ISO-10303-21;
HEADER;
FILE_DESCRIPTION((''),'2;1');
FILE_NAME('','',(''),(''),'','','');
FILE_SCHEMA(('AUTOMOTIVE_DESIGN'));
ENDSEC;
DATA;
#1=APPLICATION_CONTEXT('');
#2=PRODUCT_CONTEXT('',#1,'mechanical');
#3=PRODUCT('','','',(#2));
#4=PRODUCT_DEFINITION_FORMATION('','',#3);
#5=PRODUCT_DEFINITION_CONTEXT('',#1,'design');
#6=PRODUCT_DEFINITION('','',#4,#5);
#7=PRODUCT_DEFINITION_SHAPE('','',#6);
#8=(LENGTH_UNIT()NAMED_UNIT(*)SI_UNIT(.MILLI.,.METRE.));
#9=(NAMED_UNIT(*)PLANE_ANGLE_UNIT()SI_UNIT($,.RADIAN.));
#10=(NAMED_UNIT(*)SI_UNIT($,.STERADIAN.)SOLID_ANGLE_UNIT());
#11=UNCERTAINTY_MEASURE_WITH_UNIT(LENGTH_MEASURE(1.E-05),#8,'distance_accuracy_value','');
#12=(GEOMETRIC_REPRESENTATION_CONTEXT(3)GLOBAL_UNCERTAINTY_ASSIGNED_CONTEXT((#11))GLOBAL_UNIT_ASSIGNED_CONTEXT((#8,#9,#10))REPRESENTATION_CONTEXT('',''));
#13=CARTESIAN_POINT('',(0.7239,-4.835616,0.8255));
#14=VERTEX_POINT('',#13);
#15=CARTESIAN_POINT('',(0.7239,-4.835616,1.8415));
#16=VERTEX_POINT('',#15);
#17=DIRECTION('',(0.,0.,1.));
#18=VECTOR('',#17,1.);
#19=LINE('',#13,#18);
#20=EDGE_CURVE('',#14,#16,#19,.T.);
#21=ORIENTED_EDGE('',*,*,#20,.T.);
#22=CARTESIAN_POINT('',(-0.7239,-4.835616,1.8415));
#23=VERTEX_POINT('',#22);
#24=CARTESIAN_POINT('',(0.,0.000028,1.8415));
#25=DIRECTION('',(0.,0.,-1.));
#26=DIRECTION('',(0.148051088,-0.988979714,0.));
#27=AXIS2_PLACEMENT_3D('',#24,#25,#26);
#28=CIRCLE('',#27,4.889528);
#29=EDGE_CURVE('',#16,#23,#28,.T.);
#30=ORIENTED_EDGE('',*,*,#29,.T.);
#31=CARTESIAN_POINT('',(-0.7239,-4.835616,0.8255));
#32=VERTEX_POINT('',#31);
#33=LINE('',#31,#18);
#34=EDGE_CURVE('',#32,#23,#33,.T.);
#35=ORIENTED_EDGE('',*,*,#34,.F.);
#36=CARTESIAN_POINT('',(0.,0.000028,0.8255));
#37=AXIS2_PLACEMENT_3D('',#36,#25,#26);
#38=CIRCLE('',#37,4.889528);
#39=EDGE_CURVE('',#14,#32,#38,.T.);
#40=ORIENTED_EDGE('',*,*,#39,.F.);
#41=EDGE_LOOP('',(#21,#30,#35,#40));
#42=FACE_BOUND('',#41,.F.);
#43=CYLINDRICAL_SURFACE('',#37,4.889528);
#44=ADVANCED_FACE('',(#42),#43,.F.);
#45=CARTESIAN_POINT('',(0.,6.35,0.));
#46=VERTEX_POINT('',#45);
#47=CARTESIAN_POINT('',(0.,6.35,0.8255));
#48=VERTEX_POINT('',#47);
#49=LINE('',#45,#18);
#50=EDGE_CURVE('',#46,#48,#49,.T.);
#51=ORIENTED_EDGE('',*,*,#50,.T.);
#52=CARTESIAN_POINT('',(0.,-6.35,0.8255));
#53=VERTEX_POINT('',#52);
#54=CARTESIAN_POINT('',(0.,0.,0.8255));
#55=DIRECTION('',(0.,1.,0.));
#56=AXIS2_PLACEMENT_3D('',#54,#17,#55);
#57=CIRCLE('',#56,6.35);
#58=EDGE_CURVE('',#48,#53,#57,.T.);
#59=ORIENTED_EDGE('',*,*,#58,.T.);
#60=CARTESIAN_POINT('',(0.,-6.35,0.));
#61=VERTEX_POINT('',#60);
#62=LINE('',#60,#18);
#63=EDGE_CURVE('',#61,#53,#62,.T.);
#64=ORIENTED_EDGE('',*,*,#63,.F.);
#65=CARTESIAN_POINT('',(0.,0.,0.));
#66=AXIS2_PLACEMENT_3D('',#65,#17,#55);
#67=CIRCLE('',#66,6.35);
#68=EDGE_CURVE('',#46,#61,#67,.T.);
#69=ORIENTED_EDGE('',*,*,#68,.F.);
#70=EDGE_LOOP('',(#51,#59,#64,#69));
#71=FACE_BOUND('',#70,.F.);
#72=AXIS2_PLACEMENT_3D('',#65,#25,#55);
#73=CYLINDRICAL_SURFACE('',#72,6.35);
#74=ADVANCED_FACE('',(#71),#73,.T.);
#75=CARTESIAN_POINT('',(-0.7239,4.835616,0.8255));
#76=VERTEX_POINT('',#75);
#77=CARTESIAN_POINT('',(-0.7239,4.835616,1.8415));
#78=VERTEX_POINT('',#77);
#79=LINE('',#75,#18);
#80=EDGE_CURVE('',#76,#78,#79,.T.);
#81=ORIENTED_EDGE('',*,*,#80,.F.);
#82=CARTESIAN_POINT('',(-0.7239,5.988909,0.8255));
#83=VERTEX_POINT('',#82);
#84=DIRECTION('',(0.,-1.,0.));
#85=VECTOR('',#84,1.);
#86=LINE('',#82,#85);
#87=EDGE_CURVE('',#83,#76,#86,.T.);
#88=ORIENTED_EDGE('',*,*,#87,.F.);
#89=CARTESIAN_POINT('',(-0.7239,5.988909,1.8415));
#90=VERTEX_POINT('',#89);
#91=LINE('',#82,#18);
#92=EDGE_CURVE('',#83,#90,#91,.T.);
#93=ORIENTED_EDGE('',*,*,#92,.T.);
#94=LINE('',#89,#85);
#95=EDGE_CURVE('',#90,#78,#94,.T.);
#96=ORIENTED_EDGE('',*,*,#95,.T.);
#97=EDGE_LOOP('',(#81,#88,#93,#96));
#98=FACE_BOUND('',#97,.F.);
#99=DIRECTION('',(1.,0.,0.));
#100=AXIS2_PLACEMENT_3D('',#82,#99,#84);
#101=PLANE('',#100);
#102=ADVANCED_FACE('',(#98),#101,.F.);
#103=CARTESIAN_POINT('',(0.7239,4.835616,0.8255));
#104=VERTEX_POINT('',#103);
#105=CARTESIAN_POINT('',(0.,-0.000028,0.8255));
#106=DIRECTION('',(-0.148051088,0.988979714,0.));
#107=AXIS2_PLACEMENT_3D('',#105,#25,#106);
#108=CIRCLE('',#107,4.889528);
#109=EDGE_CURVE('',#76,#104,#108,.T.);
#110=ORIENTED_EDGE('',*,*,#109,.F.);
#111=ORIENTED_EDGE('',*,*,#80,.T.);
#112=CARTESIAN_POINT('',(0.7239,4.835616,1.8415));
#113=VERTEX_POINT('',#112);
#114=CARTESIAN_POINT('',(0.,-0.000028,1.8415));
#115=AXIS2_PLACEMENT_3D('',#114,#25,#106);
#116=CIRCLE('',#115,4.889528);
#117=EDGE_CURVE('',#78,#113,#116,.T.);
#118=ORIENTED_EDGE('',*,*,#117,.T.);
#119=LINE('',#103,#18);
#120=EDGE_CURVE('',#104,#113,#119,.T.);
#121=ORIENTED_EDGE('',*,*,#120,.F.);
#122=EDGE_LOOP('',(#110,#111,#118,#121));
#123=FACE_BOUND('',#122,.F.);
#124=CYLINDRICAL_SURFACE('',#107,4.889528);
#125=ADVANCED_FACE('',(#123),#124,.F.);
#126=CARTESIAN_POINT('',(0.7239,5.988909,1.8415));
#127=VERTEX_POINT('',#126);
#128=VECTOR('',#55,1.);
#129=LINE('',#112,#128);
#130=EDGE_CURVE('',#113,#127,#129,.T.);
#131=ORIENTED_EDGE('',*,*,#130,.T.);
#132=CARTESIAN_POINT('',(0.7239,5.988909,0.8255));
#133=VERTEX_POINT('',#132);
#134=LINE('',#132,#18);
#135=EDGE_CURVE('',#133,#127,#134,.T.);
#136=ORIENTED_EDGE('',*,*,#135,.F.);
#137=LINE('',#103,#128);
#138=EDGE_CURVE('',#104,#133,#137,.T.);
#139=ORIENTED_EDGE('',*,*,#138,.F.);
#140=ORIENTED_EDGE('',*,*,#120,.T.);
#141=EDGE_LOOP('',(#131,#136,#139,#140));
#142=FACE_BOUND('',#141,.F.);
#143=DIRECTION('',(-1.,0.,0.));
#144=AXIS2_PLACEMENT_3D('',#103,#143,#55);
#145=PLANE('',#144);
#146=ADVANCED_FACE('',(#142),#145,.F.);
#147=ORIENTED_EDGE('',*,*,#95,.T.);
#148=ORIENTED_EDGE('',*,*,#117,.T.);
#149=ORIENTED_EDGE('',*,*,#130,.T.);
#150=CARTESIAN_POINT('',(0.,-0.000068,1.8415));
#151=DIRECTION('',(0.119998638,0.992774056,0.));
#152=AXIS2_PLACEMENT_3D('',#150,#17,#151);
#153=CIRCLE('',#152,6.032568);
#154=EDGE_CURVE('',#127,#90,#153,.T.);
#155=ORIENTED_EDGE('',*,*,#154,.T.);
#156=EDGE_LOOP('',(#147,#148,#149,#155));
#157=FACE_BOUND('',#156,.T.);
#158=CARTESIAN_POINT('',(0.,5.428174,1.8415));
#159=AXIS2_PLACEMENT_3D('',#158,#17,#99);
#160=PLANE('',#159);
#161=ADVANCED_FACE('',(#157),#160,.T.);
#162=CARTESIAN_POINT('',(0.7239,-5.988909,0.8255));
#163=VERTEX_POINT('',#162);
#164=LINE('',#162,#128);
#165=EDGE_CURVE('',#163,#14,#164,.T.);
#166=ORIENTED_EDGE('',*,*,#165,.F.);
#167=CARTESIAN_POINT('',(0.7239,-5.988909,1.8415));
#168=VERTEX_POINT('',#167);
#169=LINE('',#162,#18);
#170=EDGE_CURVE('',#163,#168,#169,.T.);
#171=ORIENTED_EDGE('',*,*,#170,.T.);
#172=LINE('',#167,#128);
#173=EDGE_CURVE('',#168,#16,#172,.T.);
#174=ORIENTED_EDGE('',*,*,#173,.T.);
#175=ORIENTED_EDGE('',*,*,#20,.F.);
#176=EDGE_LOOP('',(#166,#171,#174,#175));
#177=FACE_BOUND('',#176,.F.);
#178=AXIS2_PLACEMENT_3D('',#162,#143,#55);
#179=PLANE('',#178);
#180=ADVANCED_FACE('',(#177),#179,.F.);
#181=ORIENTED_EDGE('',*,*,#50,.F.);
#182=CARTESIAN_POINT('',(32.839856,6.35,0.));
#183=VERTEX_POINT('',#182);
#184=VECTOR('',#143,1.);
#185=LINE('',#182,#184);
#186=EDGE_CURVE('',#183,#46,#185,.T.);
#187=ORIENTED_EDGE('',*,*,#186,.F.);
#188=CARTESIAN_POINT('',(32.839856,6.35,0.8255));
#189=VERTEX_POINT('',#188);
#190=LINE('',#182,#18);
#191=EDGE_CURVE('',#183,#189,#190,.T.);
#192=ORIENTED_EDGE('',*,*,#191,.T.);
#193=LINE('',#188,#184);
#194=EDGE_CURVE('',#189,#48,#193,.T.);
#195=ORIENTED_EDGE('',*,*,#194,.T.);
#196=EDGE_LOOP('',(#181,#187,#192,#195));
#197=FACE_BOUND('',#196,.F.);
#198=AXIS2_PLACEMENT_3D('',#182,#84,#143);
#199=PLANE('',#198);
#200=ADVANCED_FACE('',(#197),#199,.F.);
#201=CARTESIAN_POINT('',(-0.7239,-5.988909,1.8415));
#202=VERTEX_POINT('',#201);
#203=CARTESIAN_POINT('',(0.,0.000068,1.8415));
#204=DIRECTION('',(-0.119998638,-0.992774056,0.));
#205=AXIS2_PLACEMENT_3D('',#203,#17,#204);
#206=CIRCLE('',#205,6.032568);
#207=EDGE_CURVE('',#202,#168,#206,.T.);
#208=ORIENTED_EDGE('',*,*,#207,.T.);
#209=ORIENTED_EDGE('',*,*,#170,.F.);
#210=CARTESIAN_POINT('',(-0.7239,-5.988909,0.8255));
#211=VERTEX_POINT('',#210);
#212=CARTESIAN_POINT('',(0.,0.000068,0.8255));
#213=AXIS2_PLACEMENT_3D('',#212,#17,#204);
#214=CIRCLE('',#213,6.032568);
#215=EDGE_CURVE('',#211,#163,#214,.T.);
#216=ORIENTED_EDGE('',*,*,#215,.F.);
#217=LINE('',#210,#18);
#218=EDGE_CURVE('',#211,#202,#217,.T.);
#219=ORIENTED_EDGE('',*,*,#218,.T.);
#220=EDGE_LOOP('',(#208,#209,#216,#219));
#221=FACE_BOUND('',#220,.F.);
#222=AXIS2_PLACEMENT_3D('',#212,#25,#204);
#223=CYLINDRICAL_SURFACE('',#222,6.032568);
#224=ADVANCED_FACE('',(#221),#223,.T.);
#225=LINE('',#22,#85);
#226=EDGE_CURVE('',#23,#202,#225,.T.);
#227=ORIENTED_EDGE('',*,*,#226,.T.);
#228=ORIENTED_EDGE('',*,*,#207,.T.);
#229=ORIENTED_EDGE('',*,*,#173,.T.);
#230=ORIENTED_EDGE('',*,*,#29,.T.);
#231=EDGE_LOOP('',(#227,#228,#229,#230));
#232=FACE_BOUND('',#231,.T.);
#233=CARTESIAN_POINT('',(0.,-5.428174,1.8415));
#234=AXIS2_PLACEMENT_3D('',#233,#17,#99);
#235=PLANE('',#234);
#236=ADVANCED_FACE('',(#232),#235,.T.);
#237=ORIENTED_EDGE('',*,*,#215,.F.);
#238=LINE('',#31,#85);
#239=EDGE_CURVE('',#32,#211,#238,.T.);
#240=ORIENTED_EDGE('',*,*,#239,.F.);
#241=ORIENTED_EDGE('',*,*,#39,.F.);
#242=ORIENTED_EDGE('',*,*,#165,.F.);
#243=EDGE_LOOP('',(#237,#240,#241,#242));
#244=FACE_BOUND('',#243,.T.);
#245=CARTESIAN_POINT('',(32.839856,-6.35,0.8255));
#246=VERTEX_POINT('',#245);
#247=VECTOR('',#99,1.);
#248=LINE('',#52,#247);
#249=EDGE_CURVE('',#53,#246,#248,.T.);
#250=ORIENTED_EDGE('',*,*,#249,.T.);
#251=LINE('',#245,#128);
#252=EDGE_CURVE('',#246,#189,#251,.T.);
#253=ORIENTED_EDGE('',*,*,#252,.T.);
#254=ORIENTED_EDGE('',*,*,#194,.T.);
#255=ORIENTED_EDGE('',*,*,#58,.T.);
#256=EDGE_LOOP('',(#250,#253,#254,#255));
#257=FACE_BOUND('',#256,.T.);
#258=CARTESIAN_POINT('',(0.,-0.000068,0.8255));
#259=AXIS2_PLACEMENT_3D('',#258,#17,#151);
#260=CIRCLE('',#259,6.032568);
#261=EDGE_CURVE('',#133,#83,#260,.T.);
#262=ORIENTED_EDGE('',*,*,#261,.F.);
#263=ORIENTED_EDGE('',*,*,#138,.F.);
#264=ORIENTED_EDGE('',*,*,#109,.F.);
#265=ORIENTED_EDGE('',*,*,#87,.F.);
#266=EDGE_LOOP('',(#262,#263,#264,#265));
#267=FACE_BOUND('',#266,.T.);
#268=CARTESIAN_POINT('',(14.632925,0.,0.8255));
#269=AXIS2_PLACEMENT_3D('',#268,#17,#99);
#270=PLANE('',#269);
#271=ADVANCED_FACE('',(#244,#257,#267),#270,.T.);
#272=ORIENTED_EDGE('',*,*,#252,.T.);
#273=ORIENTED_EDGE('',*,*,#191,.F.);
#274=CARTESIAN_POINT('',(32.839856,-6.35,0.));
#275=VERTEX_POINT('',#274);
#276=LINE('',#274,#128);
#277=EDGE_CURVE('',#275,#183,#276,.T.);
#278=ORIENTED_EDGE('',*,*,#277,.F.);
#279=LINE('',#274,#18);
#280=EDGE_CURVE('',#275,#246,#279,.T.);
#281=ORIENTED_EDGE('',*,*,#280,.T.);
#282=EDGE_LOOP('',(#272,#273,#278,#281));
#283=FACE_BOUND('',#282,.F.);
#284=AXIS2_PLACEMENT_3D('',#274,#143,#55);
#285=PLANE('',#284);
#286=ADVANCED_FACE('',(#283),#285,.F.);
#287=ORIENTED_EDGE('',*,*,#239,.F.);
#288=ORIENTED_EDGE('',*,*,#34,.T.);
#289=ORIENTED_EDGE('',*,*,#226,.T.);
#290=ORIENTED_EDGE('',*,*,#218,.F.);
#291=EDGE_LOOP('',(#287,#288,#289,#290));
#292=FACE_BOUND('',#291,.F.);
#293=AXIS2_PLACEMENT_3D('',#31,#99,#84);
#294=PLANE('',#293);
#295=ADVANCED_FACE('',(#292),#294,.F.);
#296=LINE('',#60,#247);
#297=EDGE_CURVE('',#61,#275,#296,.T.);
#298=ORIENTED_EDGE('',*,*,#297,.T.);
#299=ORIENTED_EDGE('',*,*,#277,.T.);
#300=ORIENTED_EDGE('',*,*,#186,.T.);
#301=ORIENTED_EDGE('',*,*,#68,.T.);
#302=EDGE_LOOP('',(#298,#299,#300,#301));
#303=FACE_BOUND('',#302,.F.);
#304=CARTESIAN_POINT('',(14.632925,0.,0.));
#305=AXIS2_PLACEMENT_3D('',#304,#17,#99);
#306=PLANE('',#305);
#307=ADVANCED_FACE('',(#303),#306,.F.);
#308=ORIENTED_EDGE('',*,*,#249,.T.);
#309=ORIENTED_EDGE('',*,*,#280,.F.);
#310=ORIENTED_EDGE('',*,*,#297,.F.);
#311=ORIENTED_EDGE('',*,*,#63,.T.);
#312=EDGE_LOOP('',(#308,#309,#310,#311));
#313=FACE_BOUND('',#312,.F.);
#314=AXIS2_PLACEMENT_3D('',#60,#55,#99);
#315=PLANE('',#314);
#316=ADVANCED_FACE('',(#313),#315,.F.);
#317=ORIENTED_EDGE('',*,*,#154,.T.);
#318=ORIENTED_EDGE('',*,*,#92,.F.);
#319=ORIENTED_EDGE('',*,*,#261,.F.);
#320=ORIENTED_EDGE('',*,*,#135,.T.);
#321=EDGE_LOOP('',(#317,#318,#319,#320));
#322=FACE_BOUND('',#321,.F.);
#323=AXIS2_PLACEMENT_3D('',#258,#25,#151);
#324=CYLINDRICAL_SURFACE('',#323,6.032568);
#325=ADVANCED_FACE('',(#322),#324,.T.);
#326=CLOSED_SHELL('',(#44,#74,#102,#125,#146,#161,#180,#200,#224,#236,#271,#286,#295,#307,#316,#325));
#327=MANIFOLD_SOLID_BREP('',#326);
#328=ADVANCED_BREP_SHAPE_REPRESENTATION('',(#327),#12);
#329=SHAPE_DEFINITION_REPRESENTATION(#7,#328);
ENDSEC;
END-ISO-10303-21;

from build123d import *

# Parameters (mm, degrees)
F1_DEPTH = 0.8255
F3_DEPTH = 1.016


with BuildPart() as f1:
    # F0 (on Top) → F1 (new body)
    with BuildSketch(Plane.XY):
        with BuildLine():
            Line((32.839856, 6.35), (0, 6.35))
            ThreePointArc((0, 6.35), (-6.35, 0), (0, -6.35))
            Line((0, -6.35), (32.839856, -6.35))
            Line((32.839856, -6.35), (32.839856, 6.35))
        make_face()
    extrude(amount=F1_DEPTH)

    # F2 (on face) → F3 (join)
    with BuildSketch(Plane.XY.offset(0.8255)):
        with BuildLine():
            ThreePointArc((0.7239, -4.835616), (0, -4.8895), (-0.7239, -4.835616))
            Line((-0.7239, -4.835616), (-0.7239, -5.988909))
            ThreePointArc((-0.7239, -5.988909), (0, -6.0325), (0.7239, -5.988909))
            Line((0.7239, -5.988909), (0.7239, -4.835616))
        make_face()
        with BuildLine():
            ThreePointArc((0.7239, 5.988909), (0, 6.0325), (-0.7239, 5.988909))
            Line((-0.7239, 5.988909), (-0.7239, 4.835616))
            ThreePointArc((-0.7239, 4.835616), (0, 4.8895), (0.7239, 4.835616))
            Line((0.7239, 4.835616), (0.7239, 5.988909))
        make_face()
    extrude(amount=F3_DEPTH)


solid = f1.part
